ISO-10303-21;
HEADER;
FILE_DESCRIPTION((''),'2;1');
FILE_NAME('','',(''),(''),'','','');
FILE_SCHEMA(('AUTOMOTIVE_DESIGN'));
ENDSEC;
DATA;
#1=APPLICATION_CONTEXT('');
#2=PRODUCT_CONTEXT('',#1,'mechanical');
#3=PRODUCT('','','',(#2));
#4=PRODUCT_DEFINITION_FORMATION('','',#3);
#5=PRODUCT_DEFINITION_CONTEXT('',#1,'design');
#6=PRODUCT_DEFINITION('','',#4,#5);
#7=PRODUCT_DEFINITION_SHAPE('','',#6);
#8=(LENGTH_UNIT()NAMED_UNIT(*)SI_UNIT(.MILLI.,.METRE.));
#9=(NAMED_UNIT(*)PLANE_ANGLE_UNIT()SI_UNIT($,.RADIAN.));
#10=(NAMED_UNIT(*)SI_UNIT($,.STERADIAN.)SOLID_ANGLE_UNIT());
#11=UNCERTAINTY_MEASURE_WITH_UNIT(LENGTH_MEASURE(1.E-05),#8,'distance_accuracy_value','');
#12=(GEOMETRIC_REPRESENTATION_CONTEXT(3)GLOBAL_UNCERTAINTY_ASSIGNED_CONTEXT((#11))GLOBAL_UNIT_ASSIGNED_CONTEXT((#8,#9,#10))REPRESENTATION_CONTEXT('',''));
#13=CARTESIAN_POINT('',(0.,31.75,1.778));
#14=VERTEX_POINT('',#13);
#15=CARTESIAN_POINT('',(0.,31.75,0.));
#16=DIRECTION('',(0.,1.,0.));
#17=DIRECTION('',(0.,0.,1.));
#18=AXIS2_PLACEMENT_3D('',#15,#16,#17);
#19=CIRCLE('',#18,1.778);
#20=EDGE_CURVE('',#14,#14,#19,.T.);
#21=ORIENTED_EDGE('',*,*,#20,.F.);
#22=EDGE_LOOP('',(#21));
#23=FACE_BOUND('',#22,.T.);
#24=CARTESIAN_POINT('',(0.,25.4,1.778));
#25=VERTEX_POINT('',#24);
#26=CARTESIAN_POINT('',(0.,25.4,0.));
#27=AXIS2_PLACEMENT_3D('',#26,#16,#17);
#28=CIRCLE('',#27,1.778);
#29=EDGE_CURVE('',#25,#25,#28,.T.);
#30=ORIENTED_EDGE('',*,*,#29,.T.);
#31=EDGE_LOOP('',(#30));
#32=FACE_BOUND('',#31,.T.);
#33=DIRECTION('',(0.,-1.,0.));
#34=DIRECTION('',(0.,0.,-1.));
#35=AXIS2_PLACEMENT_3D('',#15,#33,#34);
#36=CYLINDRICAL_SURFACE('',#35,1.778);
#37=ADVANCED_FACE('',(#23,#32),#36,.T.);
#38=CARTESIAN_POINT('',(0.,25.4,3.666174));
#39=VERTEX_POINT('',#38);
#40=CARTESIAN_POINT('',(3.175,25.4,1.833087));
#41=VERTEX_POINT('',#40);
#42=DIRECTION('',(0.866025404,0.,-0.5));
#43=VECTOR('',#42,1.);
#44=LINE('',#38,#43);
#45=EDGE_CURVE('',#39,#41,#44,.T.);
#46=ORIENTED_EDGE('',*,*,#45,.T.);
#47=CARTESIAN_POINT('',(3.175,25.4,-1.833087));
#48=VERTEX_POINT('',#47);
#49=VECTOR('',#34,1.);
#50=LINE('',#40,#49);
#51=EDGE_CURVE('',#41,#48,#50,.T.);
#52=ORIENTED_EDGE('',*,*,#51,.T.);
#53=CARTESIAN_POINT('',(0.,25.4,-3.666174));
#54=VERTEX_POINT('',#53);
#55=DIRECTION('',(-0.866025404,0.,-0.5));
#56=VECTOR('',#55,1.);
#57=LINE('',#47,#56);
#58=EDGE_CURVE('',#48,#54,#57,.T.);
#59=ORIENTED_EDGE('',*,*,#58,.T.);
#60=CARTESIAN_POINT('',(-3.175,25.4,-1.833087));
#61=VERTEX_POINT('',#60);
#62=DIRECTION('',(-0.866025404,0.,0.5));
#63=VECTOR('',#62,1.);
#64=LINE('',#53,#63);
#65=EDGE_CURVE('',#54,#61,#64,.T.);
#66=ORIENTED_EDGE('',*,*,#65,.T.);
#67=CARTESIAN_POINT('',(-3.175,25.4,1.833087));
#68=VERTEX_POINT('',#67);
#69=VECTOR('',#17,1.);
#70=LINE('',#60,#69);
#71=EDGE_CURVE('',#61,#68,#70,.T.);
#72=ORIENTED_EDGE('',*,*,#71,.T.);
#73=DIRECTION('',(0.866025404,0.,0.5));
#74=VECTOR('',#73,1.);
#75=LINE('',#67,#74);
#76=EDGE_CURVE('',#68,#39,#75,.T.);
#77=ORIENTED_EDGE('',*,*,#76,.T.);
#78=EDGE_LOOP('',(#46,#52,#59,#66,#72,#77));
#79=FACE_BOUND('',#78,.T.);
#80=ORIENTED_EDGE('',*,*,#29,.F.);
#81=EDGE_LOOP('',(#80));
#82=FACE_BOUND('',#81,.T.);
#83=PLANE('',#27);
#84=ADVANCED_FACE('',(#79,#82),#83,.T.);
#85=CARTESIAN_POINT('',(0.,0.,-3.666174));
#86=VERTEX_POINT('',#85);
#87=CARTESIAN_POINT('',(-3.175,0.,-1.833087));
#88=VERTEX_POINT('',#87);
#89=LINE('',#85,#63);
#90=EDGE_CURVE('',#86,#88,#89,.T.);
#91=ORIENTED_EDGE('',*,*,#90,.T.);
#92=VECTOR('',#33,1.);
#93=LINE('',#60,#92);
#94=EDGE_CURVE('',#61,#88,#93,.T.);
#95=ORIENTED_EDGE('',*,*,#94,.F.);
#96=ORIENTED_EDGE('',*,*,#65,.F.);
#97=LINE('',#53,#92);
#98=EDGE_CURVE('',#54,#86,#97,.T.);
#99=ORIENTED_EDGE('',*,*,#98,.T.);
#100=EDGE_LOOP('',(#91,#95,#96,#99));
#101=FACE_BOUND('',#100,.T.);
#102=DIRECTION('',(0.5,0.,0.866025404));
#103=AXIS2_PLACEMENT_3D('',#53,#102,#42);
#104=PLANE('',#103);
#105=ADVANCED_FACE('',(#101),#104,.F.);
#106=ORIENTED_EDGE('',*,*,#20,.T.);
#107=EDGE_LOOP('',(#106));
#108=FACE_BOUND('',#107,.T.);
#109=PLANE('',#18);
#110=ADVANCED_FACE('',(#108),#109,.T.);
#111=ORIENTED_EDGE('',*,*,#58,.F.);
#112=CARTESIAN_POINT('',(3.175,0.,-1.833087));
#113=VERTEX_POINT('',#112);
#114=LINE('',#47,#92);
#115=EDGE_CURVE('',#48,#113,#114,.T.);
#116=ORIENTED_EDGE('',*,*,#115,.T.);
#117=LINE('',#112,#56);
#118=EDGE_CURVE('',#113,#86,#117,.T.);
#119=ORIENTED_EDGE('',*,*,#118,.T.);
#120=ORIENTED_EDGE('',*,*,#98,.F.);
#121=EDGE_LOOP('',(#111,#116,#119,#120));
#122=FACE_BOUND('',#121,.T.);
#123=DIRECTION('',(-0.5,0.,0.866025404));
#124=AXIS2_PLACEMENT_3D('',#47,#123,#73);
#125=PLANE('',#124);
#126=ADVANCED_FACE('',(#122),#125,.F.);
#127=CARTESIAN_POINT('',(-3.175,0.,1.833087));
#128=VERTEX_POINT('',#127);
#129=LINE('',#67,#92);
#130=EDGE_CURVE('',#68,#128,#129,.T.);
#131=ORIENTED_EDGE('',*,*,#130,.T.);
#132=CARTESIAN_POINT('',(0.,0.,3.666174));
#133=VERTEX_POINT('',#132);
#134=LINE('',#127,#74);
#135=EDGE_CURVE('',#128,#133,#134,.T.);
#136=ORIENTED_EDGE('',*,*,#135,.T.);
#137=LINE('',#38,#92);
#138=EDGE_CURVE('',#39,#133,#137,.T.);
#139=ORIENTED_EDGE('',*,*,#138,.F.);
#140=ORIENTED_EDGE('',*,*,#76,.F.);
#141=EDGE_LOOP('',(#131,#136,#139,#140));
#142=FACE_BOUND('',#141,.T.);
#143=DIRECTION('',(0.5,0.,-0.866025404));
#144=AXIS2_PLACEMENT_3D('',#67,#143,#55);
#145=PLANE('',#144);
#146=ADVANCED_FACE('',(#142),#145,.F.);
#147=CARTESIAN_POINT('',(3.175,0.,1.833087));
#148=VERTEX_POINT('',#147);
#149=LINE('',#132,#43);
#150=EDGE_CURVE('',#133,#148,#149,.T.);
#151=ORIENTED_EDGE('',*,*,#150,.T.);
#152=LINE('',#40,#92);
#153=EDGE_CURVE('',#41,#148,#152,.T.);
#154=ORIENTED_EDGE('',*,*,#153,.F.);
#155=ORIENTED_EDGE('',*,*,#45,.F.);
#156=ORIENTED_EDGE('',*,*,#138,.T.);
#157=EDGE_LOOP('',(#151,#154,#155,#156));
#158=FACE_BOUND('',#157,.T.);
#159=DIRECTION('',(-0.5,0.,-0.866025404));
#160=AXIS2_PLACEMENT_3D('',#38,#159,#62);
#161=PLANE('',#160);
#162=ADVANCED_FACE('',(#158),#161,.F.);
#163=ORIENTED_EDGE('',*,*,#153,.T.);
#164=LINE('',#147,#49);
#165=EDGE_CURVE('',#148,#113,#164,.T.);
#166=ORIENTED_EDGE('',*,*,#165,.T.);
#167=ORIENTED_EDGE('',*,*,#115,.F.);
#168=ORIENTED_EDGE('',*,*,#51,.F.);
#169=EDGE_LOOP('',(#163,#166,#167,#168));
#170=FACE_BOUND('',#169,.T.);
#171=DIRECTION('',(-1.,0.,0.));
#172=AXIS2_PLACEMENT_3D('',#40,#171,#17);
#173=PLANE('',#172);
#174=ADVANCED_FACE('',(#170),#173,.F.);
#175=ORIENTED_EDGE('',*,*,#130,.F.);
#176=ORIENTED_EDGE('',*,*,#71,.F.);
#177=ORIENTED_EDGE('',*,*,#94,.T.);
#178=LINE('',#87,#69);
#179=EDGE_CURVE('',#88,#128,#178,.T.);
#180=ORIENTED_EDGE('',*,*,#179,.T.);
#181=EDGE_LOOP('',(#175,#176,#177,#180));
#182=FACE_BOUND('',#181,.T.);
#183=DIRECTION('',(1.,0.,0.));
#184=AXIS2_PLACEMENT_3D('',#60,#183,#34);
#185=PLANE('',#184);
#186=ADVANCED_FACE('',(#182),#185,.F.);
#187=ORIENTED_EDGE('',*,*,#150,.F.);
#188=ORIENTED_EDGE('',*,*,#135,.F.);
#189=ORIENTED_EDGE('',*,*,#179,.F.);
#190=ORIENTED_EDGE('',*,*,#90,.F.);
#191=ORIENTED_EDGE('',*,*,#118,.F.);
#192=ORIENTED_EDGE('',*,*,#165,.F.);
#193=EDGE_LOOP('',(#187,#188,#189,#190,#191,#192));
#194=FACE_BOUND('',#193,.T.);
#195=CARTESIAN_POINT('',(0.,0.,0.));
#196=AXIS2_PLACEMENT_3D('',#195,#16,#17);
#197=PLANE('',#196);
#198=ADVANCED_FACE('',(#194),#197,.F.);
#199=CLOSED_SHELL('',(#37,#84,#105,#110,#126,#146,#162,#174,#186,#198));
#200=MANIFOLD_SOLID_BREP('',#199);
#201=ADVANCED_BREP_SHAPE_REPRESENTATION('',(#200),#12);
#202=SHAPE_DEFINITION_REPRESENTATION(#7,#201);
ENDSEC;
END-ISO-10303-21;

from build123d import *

# Parameters (mm, degrees)
BOSS_EXTRUDE1_DEPTH = 25.4
SKETCH2_R           = 1.778
BOSS_EXTRUDE2_DEPTH = 6.35


with BuildPart() as part:
    # Sketch1 → Boss-Extrude1 (new body)
    with BuildSketch(Plane(origin=(0, 0, 0), x_dir=(1, 0, 0), z_dir=(0, 1, 0))):
        Polygon((0, 3.666174209), (-3.175, 1.833087105), (-3.175, -1.833087105), (0, -3.666174209), (3.175, -1.833087105), (3.175, 1.833087105), align=None)
    extrude(amount=BOSS_EXTRUDE1_DEPTH)

    # Sketch2 → Boss-Extrude2 (add)
    with BuildSketch(Plane(origin=(0, 25.4, 0), x_dir=(1, 0, 0), z_dir=(0, 1, 0))):
        Circle(SKETCH2_R)
    extrude(amount=BOSS_EXTRUDE2_DEPTH)


solid = part.part
